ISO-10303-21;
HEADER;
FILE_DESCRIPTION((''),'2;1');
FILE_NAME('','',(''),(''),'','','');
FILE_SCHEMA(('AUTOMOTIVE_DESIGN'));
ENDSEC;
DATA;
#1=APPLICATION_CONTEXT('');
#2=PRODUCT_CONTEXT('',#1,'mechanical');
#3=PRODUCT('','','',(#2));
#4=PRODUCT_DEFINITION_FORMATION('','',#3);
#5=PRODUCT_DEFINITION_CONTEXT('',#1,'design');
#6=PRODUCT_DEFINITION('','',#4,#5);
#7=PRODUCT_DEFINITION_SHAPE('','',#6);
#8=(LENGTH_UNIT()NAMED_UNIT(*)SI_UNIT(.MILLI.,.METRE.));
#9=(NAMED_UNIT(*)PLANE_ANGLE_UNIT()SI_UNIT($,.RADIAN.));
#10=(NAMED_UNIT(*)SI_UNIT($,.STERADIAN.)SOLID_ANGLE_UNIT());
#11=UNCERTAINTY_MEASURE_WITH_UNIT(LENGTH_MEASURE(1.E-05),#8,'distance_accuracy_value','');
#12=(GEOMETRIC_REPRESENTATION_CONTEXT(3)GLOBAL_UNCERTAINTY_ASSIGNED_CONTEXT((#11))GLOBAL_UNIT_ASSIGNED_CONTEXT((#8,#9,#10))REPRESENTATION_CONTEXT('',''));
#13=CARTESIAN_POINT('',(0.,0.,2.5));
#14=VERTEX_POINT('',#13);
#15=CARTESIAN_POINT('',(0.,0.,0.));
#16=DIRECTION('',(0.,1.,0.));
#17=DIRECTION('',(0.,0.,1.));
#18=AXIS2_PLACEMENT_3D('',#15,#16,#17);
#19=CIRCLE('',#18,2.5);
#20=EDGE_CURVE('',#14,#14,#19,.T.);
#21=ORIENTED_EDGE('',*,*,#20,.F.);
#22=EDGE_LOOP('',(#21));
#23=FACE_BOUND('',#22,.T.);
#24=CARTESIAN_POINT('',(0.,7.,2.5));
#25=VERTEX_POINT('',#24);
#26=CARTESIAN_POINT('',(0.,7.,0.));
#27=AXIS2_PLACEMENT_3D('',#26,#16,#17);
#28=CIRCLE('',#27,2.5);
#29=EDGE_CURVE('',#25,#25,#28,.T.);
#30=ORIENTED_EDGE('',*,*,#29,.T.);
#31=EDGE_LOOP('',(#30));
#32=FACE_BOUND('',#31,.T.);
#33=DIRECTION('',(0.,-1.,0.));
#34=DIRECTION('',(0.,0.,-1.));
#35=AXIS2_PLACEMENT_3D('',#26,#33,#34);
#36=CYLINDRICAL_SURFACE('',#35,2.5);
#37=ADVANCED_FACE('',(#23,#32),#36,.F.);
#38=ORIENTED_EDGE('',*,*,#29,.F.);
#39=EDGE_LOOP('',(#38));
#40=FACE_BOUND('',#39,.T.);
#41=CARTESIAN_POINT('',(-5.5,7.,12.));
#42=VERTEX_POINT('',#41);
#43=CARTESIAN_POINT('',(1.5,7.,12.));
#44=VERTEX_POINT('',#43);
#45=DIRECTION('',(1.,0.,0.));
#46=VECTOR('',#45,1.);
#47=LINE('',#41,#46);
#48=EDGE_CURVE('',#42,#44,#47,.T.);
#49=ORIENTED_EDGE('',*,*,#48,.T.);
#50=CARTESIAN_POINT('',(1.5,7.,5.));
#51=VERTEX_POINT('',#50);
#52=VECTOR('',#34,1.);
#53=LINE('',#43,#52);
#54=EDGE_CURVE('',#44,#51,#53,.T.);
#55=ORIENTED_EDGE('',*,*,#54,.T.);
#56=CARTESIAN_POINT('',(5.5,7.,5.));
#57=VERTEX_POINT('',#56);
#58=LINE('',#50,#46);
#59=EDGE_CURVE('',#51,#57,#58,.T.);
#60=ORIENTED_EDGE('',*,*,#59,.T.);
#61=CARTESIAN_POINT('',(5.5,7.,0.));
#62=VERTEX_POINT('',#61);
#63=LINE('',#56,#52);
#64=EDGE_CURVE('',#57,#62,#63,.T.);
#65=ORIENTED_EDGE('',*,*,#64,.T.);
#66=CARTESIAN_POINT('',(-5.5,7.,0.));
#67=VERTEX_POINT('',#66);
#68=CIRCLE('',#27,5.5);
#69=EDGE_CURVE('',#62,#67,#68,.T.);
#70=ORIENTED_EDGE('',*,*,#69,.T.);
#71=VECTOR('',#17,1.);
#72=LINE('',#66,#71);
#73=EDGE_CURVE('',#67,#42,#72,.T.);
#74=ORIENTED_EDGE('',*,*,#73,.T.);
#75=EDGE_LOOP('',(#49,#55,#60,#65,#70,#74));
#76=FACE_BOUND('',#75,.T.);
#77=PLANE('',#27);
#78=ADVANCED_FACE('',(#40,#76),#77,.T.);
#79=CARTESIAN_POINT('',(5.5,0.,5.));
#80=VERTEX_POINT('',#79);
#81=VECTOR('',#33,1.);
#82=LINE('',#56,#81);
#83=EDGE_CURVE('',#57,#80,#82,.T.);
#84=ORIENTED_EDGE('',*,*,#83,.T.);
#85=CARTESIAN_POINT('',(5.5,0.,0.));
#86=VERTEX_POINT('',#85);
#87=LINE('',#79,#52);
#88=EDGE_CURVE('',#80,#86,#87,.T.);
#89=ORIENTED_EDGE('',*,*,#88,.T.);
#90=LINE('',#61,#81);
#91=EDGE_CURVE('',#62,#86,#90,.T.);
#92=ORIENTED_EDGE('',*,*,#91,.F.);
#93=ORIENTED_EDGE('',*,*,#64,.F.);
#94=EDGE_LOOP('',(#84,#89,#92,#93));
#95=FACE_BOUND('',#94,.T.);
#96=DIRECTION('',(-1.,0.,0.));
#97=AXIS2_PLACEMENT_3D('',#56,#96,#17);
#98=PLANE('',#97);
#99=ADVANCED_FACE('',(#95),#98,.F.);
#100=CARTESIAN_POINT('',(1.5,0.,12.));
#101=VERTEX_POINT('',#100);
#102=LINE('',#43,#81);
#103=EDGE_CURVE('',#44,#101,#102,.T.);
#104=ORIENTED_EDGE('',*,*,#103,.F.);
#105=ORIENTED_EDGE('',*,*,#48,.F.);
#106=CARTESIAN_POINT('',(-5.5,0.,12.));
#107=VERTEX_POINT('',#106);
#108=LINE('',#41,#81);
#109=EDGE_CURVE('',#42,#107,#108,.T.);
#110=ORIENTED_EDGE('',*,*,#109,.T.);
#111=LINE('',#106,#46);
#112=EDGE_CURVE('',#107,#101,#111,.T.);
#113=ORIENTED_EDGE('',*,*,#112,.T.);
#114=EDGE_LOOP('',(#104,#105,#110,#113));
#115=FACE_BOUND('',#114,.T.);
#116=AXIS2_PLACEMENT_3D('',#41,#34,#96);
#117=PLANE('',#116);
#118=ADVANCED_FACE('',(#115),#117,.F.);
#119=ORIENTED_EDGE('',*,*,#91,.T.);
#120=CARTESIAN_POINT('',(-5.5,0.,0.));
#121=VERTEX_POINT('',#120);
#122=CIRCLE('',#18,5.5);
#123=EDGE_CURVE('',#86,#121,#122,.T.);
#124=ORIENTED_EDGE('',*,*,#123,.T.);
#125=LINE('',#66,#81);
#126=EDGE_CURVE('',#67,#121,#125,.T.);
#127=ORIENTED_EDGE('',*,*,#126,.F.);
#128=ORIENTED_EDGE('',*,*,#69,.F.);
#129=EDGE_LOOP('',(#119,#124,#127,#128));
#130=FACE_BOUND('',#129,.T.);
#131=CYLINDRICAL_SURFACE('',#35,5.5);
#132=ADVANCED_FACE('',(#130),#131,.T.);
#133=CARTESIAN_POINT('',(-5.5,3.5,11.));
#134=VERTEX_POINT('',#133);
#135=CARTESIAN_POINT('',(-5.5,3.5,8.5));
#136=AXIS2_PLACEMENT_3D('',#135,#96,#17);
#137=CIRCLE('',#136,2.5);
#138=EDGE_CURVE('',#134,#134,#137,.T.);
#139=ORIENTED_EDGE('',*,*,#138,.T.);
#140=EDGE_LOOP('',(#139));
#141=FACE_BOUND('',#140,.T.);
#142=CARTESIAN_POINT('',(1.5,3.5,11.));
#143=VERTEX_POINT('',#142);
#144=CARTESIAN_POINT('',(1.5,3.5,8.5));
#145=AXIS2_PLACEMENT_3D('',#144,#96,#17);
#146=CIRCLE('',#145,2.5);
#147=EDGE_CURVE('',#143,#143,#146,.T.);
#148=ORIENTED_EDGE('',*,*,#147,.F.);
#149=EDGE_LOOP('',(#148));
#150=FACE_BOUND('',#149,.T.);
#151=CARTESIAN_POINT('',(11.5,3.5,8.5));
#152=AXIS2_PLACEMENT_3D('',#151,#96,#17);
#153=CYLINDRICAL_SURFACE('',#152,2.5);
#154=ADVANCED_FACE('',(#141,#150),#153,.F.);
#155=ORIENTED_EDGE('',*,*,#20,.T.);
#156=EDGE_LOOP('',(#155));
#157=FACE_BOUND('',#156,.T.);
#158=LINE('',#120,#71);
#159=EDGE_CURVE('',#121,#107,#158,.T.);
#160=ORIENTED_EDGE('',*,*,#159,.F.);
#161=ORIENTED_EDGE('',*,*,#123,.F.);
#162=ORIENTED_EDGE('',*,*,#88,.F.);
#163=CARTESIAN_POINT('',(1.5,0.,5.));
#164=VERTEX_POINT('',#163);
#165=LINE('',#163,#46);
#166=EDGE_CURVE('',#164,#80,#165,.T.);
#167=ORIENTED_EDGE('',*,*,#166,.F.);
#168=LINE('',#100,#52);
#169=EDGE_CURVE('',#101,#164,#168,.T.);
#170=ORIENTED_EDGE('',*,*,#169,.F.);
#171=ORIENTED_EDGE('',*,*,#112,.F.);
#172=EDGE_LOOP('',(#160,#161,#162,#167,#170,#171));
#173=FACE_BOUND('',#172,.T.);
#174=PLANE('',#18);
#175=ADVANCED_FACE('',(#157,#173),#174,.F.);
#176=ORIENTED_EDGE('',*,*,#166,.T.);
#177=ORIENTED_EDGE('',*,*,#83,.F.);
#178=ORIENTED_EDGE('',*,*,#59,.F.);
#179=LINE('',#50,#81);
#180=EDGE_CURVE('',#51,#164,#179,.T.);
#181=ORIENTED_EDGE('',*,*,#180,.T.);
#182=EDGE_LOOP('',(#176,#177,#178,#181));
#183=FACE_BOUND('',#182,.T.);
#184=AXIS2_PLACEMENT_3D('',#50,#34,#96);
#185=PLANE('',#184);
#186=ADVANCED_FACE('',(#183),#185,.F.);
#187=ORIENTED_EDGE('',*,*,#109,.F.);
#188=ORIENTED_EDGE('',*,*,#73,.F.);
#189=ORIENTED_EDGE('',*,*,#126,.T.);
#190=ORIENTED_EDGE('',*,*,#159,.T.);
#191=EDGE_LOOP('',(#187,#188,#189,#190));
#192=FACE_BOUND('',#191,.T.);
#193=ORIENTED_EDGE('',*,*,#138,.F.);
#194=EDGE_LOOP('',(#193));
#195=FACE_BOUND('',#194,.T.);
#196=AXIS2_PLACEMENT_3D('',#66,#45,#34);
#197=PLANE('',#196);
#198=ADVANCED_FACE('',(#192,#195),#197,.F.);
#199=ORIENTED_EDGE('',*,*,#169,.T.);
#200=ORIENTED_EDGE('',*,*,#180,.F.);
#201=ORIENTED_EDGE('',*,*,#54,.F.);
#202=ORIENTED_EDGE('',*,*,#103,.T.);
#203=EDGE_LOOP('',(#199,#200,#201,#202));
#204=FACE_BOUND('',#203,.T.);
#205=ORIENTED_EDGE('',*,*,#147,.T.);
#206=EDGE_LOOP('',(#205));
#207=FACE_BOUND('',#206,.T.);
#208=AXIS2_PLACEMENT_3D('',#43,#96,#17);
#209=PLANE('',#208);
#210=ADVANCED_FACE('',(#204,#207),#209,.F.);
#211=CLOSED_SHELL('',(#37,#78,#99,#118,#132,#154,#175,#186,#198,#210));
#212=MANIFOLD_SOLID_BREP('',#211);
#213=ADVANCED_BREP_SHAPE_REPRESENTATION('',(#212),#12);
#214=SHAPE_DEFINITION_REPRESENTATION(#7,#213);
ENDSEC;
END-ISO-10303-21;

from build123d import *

# Parameters (mm, degrees)
CROQUIS1_R              = 2.5
SALIENTE_EXTRUIR1_DEPTH = 7
CROQUIS3_R              = 2.5
CORTAR_EXTRUIR1_DEPTH   = 17


with BuildPart() as part:
    # Croquis1 → Saliente-Extruir1 (new body)
    with BuildSketch(Plane(origin=(0, 0, 0), x_dir=(1, 0, 0), z_dir=(0, 1, 0))):
        with BuildLine():
            Line((-5.5, 0), (-5.5, -12))
            Line((-5.5, -12), (1.5, -12))
            Line((1.5, -12), (1.5, -5))
            Line((1.5, -5), (5.5, -5))
            Line((5.5, -5), (5.5, 0))
            ThreePointArc((5.5, 0), (0, 5.5), (-5.5, 0))
        make_face()
        with Locations(Location((0, 0, 0), (0, 0, 270))):
            Circle(CROQUIS1_R, mode=Mode.SUBTRACT)
    extrude(amount=SALIENTE_EXTRUIR1_DEPTH)

    # Croquis3 → Cortar-Extruir1 (cut)
    with BuildSketch(Plane.ZY.offset(5.5)):
        with Locations((8.5, 3.5)):
            Circle(CROQUIS3_R)
    extrude(amount=-CORTAR_EXTRUIR1_DEPTH, mode=Mode.SUBTRACT)


solid = part.part
